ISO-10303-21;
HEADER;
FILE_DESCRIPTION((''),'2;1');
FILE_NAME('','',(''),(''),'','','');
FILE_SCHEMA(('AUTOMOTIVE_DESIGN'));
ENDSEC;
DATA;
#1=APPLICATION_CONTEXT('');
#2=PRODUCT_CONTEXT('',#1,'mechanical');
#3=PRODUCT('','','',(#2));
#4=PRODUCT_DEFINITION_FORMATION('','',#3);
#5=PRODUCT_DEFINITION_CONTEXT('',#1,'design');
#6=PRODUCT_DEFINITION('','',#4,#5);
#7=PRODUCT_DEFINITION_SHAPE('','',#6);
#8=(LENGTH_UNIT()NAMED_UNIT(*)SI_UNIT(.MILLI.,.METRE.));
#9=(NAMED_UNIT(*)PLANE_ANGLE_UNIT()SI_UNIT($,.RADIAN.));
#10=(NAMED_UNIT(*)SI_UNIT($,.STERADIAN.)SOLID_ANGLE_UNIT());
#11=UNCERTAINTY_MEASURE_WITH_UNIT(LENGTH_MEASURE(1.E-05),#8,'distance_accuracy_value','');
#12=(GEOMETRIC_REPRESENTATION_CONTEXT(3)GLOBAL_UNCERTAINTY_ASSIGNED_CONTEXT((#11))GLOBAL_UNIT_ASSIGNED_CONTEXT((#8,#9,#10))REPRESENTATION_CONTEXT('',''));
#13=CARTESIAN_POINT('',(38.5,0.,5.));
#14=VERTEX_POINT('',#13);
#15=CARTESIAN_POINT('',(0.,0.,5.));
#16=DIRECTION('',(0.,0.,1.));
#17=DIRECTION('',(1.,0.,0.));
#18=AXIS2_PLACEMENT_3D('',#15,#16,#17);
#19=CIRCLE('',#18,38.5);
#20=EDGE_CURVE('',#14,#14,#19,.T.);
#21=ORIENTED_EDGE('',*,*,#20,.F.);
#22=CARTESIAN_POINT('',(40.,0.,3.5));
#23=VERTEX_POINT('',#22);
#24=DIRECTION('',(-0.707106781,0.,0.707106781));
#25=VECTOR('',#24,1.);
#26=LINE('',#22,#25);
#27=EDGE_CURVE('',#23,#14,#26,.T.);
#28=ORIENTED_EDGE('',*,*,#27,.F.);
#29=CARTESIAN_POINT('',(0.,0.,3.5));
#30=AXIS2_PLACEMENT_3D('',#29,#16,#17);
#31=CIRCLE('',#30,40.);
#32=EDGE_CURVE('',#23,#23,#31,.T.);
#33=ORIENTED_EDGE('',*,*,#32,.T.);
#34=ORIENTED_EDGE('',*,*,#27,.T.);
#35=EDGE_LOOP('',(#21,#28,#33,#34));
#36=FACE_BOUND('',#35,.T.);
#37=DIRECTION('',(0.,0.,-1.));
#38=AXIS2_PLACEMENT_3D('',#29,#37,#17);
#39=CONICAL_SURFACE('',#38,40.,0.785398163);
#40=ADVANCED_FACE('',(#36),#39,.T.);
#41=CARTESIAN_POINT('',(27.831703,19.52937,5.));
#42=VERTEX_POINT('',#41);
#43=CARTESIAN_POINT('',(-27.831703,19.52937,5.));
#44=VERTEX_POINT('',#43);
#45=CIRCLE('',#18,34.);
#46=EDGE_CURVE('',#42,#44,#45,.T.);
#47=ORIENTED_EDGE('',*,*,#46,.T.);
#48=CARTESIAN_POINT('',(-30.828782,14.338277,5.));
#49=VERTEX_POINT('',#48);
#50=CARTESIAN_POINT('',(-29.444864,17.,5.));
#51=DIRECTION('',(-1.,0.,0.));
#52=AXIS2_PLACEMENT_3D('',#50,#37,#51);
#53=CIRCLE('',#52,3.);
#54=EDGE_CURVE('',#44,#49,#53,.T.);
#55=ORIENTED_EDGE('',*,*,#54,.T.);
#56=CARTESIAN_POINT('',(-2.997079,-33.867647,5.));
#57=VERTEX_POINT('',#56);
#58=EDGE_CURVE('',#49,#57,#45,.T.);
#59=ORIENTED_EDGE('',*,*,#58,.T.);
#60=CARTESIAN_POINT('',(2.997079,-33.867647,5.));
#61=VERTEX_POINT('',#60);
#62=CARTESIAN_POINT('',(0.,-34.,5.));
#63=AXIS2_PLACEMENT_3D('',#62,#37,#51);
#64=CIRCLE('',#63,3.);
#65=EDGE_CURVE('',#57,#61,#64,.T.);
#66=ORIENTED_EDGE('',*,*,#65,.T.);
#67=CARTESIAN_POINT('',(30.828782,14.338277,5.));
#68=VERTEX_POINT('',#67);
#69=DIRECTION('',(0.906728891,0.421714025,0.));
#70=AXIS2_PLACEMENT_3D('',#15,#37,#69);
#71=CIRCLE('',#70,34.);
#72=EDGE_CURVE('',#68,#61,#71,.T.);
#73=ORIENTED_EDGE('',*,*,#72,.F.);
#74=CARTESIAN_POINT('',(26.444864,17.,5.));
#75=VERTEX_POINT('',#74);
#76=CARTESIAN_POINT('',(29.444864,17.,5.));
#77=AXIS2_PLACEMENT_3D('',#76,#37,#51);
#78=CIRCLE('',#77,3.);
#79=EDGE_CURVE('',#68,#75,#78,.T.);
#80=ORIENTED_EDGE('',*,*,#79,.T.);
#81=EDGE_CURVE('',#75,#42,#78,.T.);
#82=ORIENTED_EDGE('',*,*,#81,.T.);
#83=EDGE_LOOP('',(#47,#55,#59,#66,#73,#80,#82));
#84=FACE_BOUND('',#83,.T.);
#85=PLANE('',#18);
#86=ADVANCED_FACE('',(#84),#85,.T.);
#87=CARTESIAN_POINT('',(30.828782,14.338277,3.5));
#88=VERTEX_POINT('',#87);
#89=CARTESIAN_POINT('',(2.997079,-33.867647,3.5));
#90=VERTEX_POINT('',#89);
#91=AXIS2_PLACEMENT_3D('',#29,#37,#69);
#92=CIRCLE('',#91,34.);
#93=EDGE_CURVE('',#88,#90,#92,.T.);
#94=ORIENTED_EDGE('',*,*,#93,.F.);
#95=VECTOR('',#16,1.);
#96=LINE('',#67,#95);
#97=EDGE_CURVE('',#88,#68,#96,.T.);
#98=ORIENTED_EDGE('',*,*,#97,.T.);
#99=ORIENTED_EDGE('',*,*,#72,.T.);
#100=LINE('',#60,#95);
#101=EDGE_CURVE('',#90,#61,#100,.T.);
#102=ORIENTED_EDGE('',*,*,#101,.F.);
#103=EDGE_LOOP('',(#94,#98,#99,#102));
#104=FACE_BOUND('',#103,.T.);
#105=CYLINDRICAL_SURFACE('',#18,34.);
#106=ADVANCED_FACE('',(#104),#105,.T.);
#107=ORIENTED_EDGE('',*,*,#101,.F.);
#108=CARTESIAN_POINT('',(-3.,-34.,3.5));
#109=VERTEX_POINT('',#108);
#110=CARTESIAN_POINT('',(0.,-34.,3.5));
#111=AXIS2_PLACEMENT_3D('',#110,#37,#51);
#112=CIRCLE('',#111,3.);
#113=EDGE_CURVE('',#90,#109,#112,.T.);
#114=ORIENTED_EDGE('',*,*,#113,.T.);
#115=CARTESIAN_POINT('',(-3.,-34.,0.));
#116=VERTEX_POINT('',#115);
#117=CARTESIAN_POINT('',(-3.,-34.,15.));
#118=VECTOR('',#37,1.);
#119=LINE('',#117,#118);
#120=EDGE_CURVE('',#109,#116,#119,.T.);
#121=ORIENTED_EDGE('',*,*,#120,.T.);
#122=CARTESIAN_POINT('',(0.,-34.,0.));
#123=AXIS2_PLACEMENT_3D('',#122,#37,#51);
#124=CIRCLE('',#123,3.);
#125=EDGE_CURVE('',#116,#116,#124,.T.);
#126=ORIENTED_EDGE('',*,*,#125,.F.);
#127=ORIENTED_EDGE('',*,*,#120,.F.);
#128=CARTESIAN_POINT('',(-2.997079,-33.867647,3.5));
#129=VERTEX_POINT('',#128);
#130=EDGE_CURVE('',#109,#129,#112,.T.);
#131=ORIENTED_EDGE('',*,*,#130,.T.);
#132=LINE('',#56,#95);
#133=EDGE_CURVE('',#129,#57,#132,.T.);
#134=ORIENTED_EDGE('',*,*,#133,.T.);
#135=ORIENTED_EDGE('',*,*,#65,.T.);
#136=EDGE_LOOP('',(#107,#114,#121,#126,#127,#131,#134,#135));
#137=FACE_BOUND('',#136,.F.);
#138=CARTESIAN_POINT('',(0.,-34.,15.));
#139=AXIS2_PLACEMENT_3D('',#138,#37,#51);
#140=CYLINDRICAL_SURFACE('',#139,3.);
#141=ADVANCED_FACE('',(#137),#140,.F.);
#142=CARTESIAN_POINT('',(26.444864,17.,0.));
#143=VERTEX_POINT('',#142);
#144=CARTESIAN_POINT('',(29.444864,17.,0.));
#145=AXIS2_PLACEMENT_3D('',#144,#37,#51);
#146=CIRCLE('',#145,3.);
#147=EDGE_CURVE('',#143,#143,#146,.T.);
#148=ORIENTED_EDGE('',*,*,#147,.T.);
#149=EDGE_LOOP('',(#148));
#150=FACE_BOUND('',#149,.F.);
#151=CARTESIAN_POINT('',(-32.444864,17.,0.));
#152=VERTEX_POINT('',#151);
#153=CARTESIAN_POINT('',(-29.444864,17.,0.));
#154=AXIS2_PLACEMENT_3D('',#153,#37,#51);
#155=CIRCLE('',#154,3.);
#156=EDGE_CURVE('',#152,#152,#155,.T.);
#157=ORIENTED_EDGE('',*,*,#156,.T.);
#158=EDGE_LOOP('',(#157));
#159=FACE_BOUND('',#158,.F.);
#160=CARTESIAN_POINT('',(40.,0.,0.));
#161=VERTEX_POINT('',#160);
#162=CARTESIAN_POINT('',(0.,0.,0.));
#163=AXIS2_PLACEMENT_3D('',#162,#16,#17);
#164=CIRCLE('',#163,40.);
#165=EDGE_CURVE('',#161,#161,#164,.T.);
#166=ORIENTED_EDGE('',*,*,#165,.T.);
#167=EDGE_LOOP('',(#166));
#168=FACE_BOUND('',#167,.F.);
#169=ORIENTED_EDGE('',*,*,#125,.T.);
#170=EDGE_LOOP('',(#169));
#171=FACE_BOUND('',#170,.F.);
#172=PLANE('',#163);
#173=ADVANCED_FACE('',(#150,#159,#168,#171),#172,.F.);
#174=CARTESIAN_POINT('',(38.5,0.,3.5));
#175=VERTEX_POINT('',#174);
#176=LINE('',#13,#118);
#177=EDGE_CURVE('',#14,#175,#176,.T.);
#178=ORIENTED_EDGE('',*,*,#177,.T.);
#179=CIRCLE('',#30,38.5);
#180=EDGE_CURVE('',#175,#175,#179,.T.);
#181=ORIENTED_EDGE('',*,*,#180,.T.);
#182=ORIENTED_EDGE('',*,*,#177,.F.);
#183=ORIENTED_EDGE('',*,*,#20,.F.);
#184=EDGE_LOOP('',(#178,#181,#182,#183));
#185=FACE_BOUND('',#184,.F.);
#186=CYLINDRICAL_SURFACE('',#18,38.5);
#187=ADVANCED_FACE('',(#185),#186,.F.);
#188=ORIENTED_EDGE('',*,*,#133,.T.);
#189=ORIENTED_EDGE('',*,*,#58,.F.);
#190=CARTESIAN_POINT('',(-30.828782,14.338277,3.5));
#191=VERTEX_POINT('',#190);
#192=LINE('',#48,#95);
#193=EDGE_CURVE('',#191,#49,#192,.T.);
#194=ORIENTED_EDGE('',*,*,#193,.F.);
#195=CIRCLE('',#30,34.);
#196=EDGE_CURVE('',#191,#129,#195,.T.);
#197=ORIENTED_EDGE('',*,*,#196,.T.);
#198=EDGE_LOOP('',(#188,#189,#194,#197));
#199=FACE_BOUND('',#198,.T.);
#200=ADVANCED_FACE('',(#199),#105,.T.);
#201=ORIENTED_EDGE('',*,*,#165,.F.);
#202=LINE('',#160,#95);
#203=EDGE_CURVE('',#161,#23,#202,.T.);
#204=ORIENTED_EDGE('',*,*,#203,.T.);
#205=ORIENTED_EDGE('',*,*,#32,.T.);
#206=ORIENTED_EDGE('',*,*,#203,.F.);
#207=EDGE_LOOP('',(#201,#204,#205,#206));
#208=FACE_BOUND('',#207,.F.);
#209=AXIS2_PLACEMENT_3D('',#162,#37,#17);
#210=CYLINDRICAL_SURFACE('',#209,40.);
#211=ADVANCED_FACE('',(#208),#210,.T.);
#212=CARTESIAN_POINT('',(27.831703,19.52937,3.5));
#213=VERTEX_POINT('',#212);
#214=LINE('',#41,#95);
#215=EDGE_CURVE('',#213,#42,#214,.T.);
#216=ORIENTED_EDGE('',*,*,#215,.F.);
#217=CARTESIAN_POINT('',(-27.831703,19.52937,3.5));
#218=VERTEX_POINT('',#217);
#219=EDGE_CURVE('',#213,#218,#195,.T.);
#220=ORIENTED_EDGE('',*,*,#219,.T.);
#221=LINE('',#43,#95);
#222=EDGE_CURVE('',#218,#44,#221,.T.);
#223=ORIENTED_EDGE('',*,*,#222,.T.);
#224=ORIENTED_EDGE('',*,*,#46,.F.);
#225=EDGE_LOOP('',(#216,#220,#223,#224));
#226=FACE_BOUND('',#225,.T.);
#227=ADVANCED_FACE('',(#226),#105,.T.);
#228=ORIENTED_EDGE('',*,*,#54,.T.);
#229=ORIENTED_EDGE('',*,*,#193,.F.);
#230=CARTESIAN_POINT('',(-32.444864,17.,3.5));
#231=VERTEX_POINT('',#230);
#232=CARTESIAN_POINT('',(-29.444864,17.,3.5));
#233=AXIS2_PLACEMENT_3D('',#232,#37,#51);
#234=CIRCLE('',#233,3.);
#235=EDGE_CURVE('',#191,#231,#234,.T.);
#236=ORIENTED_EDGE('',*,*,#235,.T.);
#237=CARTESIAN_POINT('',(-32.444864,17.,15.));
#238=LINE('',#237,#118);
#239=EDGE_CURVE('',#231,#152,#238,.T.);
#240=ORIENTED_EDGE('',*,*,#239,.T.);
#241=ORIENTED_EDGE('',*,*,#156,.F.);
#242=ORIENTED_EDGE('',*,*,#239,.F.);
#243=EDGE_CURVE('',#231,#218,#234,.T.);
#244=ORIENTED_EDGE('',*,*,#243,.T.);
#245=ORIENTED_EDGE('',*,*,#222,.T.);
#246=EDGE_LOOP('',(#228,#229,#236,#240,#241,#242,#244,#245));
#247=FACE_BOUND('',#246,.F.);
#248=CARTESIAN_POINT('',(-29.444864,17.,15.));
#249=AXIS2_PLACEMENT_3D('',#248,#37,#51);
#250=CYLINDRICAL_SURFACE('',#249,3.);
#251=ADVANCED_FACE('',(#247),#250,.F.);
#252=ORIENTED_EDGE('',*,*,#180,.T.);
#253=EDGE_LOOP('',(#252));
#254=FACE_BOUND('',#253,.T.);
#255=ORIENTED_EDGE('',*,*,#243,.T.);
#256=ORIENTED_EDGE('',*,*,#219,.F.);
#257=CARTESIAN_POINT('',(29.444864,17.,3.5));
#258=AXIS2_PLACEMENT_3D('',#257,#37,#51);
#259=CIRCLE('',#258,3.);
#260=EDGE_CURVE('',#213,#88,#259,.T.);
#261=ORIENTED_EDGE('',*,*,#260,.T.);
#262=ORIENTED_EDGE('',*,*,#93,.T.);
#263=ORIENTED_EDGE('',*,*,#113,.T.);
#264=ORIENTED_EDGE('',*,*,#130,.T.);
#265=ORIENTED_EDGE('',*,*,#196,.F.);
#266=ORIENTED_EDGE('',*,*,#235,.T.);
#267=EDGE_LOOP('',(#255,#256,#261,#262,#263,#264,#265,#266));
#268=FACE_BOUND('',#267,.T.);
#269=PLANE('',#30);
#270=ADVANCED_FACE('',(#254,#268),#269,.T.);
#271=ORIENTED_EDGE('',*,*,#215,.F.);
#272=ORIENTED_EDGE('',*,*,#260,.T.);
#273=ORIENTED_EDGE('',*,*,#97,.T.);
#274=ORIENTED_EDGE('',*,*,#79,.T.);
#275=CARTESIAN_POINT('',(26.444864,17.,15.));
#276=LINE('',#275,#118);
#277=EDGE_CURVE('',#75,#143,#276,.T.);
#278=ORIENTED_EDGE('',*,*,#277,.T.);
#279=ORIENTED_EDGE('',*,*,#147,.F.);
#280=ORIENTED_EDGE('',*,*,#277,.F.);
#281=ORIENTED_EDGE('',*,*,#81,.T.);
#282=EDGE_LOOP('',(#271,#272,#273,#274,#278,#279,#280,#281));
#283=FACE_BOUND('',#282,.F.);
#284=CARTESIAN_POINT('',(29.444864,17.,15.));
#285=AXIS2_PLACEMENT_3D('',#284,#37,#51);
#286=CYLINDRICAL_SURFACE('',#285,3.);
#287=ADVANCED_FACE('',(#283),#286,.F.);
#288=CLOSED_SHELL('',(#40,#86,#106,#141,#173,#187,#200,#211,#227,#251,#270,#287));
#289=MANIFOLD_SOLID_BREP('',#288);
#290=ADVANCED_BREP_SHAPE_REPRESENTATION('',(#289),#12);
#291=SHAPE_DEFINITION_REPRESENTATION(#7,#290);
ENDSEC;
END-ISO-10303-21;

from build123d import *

# Parameters (mm, degrees)
F0_R     = 40
F1_DEPTH = 5
F2_SIZE  = 1.5
F3_R     = 38.5
F3_R_2   = 34
F4_DEPTH = 1.5
F6_D     = 6
F6_DEPTH = 10


with BuildPart() as f1:
    # F0 (on Top) → F1 (new body)
    with BuildSketch(Plane.XY):
        Circle(F0_R)
    extrude(amount=F1_DEPTH)

    # F2
    f2_edges = [f1.edges().sort_by_distance(p)[0] for p in [
        (-40, 0, 5),
    ]]
    chamfer(f2_edges, length=F2_SIZE)

    # F3 (on face) → F4 (cut)
    with BuildSketch(Plane.XY.offset(5)):
        Circle(F3_R)
        Circle(F3_R_2, mode=Mode.SUBTRACT)
    extrude(amount=-F4_DEPTH, mode=Mode.SUBTRACT)

    # F6
    with Locations(Plane.XY.offset(5)):
        with Locations((29.444864, 17), (0, -34), (-29.444864, 17)):
            Hole(F6_D / 2, depth=F6_DEPTH)


solid = f1.part
